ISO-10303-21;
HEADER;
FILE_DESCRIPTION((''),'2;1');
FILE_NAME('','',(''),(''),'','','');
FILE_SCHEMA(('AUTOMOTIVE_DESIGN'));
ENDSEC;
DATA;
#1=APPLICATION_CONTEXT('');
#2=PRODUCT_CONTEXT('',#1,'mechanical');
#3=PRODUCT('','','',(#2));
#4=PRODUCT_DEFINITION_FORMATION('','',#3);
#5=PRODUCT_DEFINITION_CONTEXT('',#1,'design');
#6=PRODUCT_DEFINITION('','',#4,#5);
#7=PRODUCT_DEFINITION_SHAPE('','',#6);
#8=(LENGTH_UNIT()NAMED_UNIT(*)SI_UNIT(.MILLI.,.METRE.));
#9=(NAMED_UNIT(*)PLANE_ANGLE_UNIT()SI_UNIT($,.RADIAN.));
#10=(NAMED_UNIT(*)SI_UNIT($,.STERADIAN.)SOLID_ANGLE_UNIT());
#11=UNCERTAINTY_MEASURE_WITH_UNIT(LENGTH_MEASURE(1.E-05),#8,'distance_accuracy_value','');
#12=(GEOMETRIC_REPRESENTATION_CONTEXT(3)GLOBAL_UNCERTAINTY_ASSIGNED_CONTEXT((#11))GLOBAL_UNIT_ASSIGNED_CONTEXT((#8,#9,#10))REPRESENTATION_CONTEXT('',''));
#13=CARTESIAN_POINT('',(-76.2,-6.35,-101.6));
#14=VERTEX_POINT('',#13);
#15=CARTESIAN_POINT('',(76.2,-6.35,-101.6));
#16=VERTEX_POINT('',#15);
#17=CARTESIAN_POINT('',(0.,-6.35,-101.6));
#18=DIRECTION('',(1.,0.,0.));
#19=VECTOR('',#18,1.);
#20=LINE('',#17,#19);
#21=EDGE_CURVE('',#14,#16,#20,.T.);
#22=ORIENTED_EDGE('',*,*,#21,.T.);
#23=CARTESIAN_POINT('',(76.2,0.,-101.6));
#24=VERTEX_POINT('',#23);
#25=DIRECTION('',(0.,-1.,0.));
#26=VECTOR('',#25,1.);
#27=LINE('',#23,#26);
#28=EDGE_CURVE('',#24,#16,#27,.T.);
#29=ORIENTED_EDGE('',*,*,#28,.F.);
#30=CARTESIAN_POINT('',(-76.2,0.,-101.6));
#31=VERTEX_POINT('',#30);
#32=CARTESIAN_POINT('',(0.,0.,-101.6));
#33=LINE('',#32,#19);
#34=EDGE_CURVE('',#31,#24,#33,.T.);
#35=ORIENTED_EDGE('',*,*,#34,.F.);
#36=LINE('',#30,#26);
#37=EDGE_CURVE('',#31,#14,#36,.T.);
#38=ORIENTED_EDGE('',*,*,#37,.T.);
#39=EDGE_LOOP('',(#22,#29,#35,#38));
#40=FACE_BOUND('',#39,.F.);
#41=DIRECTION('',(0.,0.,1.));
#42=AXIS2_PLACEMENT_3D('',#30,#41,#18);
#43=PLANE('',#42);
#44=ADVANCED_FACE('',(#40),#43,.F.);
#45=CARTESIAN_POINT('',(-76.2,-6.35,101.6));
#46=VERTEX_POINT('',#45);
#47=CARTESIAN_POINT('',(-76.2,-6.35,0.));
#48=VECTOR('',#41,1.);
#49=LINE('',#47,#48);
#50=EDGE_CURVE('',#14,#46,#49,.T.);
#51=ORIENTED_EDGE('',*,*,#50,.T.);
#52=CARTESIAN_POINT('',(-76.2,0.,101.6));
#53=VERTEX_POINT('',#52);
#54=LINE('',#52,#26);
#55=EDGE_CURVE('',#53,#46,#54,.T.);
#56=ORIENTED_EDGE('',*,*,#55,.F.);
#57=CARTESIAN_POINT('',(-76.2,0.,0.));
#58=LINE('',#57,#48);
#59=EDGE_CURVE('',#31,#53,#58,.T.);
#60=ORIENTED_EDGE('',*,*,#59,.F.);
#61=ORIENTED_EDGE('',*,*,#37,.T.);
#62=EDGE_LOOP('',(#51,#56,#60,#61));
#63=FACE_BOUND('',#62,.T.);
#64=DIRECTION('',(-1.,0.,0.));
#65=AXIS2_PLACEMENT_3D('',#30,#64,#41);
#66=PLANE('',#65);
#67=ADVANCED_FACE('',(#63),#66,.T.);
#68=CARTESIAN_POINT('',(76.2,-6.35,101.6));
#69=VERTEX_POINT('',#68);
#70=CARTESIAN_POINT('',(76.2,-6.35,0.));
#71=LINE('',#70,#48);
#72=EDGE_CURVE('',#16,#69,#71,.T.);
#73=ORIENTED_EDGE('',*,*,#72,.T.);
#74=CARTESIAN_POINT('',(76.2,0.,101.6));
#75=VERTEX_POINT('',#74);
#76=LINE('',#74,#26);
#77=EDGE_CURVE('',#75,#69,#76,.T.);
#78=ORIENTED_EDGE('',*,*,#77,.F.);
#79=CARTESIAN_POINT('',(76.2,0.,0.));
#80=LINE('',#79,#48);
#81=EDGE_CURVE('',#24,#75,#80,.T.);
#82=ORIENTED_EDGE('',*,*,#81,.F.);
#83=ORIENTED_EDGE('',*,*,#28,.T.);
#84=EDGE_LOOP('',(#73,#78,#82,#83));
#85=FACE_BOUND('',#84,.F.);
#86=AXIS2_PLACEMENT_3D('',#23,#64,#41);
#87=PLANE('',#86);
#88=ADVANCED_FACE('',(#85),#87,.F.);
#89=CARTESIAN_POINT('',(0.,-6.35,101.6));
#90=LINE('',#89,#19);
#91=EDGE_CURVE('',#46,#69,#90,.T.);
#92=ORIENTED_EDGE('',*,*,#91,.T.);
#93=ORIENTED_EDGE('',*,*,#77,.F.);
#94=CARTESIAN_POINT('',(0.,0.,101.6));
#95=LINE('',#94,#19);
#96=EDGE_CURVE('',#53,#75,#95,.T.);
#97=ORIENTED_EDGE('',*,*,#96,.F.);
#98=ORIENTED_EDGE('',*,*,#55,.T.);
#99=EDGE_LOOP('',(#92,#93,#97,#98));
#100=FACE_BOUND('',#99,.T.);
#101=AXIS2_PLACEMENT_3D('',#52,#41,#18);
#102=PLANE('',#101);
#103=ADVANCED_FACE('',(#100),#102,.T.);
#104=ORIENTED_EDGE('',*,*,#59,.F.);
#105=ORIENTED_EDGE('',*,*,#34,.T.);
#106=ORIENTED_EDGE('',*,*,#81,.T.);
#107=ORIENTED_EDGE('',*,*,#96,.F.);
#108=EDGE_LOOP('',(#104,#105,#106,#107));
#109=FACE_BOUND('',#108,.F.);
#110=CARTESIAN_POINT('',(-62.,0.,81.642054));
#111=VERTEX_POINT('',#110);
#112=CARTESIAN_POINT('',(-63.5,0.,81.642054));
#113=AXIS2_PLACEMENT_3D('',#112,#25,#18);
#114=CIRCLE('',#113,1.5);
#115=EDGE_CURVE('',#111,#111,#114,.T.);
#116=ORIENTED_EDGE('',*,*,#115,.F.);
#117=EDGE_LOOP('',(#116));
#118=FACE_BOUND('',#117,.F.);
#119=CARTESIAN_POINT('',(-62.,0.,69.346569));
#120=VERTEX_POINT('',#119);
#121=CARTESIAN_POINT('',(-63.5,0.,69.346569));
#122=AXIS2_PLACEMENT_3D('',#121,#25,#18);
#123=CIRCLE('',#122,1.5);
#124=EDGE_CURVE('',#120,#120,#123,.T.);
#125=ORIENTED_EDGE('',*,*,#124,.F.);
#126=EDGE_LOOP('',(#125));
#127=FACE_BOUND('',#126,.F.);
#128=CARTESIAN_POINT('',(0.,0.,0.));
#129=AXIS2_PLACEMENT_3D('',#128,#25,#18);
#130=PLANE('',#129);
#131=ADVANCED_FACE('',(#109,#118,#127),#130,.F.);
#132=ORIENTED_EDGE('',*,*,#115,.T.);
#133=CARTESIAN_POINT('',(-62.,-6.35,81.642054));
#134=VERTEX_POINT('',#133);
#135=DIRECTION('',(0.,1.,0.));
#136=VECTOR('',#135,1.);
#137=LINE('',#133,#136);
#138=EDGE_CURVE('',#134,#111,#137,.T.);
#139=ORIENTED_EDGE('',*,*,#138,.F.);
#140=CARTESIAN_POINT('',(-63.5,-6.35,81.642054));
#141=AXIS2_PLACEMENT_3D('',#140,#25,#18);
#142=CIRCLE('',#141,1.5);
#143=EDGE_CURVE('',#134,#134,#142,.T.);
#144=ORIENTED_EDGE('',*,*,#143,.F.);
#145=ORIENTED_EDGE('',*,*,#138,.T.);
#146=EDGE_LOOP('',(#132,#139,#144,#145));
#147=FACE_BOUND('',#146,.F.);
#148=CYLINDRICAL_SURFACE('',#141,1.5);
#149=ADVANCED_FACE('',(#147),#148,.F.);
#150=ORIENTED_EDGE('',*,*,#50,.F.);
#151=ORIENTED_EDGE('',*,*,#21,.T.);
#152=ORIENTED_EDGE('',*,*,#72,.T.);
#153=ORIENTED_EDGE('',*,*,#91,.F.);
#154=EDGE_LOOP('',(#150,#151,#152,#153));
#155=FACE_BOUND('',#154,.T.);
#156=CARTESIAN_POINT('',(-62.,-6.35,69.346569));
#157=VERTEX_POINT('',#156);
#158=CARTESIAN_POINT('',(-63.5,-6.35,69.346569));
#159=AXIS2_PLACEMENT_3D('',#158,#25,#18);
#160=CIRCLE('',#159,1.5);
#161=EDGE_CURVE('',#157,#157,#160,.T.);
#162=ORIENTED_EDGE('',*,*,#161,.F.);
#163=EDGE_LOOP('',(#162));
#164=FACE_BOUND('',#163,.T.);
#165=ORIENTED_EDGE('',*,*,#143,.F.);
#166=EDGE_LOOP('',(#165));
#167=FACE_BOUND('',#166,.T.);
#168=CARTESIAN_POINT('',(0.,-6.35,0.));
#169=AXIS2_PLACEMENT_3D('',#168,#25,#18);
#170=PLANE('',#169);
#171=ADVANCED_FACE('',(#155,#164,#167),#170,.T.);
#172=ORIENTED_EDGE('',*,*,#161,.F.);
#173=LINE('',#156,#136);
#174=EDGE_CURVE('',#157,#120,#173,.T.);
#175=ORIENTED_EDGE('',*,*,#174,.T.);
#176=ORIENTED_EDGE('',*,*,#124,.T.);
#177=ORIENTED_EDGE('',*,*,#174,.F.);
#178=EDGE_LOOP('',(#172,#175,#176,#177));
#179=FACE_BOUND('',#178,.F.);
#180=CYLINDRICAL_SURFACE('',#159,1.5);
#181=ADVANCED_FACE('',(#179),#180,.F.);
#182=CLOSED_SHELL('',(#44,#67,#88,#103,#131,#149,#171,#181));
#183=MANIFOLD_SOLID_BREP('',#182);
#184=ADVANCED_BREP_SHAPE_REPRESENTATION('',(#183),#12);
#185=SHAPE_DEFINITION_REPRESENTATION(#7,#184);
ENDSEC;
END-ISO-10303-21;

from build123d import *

# Parameters (mm, degrees)
F0_W       = 152.4
F0_H       = 203.2
F1_DEPTH   = 6.35
F3_R       = 1.5
F1_FACE1_W = 152.4
F1_FACE1_H = 203.2
F4_DEPTH   = 76.2


with BuildPart() as f1:
    # F0 (on Front) → F1 (new body)
    with BuildSketch(Plane.XZ):
        Rectangle(F0_W, F0_H)
    extrude(amount=F1_DEPTH)

    # F3 (on face) + F1_face1 (on face) → F4 (cut)
    with BuildSketch(Plane.XZ.offset(6.35)):
        with Locations((-63.5, 81.6420540214)):
            Circle(F3_R)
        with Locations((-63.5, 69.3465694785)):
            Circle(F3_R)
    with BuildSketch(Plane(origin=(0, 0, 0), x_dir=(1, 0, 0), z_dir=(0, 1, 0))):
        Rectangle(F1_FACE1_W, F1_FACE1_H)
    extrude(amount=-F4_DEPTH, dir=(0, -1, 0), mode=Mode.SUBTRACT)


solid = f1.part
